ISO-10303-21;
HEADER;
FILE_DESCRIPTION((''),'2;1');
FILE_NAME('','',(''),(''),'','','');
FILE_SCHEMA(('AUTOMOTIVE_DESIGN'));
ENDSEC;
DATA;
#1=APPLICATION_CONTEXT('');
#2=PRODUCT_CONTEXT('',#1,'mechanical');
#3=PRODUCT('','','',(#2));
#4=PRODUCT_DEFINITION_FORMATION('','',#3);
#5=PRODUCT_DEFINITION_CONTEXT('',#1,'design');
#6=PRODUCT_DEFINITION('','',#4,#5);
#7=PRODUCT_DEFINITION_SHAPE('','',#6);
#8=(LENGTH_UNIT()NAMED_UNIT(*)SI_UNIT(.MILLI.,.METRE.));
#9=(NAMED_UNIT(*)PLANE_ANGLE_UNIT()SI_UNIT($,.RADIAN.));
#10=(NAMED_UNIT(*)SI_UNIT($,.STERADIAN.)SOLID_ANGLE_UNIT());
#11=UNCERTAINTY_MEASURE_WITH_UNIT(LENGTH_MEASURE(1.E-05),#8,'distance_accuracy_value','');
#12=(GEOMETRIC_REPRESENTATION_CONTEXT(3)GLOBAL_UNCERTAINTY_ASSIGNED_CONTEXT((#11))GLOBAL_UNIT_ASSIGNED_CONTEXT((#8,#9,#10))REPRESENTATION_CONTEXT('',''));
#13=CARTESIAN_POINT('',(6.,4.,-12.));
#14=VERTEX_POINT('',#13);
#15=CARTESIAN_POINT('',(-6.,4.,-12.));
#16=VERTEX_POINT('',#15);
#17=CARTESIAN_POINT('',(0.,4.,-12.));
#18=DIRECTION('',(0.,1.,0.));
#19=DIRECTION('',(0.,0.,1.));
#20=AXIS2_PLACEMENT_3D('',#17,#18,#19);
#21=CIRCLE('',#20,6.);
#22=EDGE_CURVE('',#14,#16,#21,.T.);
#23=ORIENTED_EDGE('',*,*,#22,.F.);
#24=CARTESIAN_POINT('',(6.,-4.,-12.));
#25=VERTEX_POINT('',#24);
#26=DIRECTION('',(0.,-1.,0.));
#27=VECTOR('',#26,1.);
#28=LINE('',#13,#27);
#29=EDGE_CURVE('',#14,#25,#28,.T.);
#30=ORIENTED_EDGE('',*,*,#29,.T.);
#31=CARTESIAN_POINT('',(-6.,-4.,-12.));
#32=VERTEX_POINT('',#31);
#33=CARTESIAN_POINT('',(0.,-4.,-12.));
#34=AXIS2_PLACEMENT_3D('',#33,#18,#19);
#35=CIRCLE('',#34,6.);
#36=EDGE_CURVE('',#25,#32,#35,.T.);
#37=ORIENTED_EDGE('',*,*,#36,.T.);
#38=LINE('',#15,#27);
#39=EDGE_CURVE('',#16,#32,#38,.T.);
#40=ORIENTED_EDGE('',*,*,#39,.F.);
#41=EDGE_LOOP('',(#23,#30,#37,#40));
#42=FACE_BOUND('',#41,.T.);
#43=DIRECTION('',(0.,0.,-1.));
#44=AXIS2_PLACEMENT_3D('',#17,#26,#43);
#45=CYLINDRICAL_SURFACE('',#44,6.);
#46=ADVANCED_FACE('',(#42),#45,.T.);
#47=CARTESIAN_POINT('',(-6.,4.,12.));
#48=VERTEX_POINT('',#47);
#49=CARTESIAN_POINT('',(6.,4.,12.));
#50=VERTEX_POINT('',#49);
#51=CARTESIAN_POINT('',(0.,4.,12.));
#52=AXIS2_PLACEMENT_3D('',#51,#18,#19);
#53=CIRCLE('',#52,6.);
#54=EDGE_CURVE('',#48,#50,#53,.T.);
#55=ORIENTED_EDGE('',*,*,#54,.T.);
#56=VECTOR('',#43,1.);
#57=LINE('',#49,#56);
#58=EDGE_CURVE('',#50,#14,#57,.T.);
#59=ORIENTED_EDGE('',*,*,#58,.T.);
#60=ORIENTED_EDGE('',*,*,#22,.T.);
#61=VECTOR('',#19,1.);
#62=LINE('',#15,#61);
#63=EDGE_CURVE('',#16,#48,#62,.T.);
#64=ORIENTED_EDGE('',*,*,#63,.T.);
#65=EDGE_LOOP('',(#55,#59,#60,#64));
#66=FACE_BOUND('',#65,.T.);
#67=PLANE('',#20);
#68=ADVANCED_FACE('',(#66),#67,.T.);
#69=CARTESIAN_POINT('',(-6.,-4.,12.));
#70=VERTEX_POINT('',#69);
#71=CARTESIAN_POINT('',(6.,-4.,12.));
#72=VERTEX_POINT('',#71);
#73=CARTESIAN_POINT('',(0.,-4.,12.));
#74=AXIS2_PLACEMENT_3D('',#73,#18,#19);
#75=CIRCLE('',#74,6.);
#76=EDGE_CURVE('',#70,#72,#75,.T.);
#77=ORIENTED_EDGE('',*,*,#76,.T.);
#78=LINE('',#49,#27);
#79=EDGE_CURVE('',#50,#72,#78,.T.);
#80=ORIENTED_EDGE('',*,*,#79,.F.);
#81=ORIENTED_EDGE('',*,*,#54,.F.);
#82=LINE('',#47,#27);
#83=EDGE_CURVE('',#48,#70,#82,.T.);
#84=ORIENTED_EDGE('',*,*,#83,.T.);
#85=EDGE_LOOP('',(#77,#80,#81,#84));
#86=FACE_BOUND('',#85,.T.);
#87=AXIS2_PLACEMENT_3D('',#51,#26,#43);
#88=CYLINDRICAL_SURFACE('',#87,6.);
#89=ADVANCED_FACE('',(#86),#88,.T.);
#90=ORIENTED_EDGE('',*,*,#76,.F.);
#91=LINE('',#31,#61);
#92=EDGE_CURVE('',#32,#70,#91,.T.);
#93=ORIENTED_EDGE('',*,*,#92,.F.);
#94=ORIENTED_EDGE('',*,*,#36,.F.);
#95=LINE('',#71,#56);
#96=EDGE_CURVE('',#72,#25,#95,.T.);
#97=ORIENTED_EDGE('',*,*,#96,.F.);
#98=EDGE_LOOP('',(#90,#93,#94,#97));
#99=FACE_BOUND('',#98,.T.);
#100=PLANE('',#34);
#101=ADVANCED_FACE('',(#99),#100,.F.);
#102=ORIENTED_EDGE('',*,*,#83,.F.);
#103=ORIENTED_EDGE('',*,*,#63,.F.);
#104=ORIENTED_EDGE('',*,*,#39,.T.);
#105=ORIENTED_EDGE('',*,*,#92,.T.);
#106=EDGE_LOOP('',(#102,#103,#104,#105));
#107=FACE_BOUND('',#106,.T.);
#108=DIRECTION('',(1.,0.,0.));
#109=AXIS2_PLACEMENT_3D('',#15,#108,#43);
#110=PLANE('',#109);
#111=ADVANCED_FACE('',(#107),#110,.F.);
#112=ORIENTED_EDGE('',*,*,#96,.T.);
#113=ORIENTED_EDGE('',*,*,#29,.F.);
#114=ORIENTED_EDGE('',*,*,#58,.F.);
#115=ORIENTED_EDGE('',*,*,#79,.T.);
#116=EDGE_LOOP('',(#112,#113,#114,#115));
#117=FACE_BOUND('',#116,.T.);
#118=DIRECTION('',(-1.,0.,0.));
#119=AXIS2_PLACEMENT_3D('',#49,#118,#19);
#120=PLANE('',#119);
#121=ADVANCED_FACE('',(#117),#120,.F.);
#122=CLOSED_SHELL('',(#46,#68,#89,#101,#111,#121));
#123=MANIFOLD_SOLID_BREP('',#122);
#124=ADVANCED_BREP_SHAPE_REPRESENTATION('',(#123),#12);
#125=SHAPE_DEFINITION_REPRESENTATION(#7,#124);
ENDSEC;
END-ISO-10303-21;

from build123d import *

# Parameters (mm, degrees)
VYSUNOUT1_DEPTH = 4


with BuildPart() as part:
    # Skica1 → Vysunout1 (new, symmetric)
    with BuildSketch(Plane(origin=(0, 0, 0), x_dir=(1, 0, 0), z_dir=(0, 1, 0))):
        with BuildLine():
            Line((-6, 12), (-6, -12))
            ThreePointArc((-6, -12), (0, -18), (6, -12))
            Line((6, -12), (6, 12))
            ThreePointArc((6, 12), (0, 18), (-6, 12))
        make_face()
    extrude(amount=VYSUNOUT1_DEPTH, both=True)


solid = part.part
